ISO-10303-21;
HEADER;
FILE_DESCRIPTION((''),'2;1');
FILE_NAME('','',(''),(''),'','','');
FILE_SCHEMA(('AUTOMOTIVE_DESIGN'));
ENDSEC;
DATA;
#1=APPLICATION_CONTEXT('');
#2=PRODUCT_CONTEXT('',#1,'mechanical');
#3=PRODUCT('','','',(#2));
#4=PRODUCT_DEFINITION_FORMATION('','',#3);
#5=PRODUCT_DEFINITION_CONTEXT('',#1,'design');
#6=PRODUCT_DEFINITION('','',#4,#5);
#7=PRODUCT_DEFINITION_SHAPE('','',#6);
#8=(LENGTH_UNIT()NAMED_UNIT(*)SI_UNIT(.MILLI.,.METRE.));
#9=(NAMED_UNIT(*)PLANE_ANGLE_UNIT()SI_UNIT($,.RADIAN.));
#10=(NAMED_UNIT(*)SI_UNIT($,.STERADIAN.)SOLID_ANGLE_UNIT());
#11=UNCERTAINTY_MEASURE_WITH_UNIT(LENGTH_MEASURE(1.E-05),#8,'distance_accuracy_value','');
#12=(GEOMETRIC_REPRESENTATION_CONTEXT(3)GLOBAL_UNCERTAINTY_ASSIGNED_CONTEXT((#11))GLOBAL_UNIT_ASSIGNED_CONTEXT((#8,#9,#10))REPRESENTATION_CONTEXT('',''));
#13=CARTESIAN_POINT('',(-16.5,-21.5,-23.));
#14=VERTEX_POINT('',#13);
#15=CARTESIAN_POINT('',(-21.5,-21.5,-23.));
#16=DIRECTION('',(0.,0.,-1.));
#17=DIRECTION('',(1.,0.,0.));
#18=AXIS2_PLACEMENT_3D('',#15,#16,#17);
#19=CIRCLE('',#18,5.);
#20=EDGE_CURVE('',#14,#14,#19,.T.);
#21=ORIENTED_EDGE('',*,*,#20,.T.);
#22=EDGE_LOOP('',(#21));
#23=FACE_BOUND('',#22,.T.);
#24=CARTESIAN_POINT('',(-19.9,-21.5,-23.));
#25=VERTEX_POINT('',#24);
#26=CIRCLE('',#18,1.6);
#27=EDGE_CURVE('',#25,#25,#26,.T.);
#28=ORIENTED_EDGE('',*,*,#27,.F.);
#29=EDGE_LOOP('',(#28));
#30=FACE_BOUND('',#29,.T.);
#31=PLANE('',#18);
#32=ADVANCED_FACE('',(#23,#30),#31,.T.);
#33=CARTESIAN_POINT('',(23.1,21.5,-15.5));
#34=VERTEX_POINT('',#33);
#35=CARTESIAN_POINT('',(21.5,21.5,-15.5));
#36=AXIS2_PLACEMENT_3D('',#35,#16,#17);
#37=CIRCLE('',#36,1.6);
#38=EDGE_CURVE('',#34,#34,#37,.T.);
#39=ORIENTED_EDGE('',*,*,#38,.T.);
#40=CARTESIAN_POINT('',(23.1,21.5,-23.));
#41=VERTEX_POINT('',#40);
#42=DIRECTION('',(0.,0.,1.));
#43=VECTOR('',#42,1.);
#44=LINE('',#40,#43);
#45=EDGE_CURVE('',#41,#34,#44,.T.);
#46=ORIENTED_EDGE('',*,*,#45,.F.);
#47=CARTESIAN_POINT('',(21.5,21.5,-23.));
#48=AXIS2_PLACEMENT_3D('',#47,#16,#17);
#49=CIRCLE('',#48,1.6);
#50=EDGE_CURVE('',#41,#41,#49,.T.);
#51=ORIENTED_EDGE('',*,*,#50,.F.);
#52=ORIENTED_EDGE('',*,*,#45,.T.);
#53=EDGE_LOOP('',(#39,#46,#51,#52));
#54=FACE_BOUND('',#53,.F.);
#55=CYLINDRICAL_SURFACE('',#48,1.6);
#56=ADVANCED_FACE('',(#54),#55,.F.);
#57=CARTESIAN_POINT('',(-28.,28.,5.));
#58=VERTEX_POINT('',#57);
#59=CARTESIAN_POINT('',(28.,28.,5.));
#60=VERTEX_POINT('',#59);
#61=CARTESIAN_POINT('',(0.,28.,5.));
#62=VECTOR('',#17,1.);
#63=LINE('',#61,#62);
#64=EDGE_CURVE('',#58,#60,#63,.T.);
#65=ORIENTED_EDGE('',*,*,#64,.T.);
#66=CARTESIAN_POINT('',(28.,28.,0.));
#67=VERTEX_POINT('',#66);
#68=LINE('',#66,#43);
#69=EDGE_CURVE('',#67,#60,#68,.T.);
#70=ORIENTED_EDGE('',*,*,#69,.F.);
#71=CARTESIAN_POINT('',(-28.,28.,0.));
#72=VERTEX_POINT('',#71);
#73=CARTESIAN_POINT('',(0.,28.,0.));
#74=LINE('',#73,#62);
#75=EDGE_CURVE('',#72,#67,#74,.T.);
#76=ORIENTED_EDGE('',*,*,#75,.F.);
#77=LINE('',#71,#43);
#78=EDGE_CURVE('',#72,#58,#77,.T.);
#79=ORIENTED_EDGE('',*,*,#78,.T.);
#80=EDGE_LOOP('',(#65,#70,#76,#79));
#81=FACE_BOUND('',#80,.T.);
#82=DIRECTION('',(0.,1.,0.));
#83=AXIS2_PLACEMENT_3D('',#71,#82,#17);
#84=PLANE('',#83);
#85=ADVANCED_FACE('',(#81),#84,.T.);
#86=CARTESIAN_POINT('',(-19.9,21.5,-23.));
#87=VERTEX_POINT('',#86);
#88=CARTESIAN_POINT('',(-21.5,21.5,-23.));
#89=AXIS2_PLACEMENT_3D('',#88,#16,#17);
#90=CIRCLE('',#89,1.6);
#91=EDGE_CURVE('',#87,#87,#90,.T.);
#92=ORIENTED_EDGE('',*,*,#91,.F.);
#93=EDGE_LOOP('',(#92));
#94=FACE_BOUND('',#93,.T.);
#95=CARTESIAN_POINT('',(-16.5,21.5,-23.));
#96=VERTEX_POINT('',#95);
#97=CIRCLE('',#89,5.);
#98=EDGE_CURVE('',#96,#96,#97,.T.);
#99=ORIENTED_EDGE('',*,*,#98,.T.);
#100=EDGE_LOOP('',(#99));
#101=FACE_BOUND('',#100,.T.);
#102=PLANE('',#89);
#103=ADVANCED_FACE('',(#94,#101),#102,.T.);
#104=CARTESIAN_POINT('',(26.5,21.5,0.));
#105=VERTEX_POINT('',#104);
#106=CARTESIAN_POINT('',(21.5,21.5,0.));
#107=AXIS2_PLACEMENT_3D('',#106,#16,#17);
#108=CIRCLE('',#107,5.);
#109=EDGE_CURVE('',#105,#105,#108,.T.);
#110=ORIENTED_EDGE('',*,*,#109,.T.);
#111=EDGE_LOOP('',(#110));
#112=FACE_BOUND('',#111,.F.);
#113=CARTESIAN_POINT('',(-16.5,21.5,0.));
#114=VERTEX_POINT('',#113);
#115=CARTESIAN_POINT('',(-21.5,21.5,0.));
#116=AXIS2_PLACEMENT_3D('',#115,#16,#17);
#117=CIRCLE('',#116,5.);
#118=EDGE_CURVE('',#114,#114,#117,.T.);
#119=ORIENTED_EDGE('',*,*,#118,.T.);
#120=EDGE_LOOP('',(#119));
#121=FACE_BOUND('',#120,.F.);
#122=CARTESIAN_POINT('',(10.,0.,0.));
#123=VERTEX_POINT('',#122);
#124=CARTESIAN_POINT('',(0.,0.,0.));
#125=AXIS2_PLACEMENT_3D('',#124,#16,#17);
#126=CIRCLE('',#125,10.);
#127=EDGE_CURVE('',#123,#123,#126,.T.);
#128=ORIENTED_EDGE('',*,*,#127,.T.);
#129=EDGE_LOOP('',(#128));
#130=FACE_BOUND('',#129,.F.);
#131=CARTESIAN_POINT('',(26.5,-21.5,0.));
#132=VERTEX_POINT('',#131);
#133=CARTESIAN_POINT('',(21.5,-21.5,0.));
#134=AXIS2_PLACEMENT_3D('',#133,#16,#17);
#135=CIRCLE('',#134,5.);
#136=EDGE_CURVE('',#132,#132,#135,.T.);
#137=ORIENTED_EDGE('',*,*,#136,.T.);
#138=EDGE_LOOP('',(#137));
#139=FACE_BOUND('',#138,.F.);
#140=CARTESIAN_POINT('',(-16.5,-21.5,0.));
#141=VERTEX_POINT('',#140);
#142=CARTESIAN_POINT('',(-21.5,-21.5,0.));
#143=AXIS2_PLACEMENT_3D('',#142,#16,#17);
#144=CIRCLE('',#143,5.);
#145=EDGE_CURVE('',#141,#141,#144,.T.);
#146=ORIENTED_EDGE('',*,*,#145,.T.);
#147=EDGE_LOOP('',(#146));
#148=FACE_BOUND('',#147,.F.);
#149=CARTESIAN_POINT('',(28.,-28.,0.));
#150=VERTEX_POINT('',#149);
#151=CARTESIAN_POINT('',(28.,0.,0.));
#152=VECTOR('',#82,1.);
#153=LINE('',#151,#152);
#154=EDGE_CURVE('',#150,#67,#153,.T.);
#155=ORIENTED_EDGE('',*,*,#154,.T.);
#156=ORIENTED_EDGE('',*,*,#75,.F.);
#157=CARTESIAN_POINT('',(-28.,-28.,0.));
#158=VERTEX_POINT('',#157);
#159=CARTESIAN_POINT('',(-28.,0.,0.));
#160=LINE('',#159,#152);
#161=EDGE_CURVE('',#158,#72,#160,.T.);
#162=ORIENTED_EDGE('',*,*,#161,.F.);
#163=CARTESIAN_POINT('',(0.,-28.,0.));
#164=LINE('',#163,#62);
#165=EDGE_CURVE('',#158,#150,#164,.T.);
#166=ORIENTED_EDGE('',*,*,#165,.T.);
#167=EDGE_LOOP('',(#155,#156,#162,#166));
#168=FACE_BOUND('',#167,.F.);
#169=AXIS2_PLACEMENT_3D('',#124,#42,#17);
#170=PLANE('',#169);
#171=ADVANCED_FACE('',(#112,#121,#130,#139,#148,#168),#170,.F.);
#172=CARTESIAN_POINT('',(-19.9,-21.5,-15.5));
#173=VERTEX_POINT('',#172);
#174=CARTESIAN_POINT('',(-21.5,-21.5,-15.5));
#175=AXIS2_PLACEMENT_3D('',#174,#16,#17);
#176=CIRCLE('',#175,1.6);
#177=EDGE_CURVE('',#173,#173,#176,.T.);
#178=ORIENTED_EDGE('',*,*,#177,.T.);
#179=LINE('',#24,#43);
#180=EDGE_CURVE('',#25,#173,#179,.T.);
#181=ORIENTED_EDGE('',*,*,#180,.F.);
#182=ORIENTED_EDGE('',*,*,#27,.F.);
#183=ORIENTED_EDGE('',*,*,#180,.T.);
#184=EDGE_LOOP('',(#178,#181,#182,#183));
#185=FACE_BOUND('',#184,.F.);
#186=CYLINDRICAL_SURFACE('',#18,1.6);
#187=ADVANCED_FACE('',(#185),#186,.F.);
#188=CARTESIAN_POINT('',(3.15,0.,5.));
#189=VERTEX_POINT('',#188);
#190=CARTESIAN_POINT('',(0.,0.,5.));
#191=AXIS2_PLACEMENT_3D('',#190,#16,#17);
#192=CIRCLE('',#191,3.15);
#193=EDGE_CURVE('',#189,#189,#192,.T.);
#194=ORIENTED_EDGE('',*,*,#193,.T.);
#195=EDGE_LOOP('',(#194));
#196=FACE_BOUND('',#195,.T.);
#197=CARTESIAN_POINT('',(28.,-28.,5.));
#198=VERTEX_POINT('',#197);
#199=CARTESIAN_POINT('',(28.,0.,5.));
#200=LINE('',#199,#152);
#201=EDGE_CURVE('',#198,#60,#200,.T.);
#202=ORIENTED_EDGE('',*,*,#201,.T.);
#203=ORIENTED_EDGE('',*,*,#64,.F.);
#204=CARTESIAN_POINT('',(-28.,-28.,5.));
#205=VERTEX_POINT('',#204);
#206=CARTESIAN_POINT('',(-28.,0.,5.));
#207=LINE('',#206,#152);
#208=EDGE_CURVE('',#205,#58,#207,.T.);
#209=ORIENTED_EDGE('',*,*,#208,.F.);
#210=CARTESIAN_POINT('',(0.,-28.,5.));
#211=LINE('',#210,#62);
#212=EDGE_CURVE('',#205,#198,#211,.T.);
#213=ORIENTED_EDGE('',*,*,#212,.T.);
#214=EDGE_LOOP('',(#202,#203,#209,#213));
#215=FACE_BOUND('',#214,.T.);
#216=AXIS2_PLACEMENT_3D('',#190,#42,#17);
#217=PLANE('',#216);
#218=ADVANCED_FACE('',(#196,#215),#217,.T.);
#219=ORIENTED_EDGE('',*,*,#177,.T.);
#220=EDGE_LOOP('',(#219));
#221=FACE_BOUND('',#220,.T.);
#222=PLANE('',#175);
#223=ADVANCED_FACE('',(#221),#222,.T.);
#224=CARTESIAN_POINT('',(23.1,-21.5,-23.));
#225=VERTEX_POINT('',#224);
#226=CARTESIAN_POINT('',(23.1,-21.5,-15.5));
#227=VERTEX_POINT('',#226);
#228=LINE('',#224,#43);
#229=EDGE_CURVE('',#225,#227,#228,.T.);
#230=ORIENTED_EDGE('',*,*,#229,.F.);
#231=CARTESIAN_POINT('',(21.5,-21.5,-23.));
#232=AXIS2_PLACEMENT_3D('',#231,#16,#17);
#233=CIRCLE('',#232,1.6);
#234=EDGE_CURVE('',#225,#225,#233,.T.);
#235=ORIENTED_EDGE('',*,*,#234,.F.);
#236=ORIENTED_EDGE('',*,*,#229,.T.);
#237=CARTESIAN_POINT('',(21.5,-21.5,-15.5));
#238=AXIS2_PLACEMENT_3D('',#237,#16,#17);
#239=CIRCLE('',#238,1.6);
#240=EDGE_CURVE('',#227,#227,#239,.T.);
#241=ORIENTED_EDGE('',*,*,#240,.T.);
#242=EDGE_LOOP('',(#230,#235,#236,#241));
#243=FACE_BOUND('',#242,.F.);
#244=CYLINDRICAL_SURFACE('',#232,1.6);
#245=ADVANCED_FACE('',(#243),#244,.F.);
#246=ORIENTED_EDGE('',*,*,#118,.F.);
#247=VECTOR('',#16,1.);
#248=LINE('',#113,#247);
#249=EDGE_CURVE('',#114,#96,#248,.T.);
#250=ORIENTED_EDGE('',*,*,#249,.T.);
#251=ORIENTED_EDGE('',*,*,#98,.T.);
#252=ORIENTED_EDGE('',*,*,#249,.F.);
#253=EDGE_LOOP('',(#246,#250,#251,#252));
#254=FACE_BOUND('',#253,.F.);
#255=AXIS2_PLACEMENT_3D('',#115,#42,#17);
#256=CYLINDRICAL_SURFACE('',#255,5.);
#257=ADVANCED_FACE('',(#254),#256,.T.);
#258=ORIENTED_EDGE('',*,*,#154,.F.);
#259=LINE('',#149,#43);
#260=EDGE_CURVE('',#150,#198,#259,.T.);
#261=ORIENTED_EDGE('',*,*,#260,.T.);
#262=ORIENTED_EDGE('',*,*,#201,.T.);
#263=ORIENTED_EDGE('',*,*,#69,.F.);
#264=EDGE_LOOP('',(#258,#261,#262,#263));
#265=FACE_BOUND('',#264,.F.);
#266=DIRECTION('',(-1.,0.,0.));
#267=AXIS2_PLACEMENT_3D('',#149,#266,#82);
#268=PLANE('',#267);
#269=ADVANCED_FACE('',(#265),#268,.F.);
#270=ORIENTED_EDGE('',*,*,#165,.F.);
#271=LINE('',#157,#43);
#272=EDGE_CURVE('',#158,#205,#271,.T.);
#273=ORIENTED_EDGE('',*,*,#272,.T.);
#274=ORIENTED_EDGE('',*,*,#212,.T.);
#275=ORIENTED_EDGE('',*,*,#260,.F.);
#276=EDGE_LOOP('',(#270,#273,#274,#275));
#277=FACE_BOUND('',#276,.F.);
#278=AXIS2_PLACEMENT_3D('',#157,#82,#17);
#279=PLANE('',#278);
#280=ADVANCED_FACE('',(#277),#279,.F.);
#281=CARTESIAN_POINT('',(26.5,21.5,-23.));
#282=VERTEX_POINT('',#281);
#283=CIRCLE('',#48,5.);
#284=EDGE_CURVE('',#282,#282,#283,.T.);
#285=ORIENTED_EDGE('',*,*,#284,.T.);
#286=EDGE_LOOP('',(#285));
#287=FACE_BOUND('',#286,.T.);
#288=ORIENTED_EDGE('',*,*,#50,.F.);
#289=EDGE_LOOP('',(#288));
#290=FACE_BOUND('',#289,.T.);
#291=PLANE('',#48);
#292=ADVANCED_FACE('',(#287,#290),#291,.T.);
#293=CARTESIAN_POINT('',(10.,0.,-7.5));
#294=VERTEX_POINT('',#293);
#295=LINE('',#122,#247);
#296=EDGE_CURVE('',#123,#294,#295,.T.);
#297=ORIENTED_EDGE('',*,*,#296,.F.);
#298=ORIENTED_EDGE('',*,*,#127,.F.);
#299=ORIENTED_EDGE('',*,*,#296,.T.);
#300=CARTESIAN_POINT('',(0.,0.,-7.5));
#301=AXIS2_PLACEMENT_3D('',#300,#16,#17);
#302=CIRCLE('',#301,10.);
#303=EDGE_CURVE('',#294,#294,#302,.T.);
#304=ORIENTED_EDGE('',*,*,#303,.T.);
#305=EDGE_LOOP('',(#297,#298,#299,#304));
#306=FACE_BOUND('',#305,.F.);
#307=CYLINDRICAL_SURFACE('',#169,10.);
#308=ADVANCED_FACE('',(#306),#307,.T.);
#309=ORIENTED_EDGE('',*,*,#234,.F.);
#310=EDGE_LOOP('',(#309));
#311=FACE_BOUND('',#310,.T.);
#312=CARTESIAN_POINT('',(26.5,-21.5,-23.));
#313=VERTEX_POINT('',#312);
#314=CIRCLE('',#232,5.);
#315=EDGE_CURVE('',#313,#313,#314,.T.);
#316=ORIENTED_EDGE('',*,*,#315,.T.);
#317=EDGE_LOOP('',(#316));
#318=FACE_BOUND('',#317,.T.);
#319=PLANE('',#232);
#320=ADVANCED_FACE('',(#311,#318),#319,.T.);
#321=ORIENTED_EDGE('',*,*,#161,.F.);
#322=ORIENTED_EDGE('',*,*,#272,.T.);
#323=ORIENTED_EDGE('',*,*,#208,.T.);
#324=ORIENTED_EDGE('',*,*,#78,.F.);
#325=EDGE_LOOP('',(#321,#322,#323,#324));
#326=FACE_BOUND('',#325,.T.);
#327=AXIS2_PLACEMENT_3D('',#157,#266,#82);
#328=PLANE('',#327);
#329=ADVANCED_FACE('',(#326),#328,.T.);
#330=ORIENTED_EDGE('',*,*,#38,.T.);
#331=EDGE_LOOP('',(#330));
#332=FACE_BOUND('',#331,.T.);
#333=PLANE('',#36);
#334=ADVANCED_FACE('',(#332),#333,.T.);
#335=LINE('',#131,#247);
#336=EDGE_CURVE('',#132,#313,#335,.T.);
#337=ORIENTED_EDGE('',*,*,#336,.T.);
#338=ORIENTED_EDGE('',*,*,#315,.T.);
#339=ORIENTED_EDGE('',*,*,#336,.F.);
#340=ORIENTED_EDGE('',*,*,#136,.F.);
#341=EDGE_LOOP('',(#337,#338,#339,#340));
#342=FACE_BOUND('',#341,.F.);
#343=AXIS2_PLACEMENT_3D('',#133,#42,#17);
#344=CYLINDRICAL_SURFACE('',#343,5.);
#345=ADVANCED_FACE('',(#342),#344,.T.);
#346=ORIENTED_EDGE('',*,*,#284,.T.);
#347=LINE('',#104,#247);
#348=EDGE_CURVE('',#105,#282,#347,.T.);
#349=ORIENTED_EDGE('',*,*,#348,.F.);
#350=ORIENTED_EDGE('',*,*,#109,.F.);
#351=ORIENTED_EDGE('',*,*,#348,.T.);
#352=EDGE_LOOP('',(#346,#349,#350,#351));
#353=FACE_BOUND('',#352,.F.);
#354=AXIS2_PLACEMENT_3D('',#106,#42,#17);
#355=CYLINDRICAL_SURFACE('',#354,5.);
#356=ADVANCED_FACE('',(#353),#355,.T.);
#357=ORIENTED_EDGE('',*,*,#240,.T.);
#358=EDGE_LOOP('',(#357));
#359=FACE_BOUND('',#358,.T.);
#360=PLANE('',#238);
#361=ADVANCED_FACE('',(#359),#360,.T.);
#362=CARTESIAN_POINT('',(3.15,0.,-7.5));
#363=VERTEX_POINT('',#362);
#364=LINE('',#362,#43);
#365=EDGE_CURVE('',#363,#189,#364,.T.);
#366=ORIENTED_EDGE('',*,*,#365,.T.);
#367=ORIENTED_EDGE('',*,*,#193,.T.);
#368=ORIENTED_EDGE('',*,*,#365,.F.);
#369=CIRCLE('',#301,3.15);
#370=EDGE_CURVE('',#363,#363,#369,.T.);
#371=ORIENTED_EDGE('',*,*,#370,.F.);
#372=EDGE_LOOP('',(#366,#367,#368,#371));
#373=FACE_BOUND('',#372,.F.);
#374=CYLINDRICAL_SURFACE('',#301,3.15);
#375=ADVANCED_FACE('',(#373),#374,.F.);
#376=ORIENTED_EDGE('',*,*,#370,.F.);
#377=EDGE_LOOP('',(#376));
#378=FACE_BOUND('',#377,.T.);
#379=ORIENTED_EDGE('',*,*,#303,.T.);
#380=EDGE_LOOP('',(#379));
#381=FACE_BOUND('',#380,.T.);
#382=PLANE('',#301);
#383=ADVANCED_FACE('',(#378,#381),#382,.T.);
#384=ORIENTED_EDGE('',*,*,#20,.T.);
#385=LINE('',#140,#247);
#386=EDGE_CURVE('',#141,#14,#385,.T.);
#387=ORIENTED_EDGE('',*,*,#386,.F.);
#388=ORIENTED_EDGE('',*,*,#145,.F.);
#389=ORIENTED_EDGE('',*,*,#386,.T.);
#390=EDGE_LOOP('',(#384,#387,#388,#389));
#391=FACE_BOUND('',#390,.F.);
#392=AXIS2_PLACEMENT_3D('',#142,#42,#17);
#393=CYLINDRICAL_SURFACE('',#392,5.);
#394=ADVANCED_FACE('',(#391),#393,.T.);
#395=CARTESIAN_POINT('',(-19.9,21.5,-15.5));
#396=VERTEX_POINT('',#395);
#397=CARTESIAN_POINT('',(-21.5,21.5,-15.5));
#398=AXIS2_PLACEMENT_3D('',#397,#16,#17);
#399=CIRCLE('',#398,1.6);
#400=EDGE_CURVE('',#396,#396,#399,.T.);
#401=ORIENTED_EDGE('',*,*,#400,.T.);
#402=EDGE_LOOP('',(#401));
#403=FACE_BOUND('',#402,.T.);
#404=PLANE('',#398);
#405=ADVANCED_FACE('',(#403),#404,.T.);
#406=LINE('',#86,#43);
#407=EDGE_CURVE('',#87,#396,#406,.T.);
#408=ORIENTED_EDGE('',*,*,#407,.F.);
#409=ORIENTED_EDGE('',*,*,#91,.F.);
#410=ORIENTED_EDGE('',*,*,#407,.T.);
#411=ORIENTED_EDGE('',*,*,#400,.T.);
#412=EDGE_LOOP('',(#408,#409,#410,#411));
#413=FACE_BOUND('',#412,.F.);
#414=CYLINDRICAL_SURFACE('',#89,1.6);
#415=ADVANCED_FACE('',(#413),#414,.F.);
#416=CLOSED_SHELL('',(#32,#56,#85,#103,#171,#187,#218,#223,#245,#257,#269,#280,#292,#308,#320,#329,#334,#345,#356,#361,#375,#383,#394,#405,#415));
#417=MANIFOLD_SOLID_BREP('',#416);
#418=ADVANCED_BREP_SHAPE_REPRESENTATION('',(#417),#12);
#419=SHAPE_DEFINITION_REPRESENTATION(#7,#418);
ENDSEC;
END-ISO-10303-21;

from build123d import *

# Parameters (mm, degrees)
SKETCH_W        = 56
SKETCH_H        = 56
PAD_DEPTH       = 5
SKETCH001_R     = 10
PAD001_DEPTH    = 7.5
SKETCH002_R     = 3.15
POCKET_DEPTH    = 12.501
SKETCH003_R     = 5
PAD002_DEPTH    = 23
SKETCH004_R     = 1.6
POCKET001_DEPTH = 7.5
SKETCH006_R     = 1.6
POCKET002_DEPTH = 7.5
SKETCH007_R     = 1.6
POCKET003_DEPTH = 7.5
SKETCH008_R     = 1.6
POCKET004_DEPTH = 7.5


with BuildPart() as part:
    # Sketch → Pad (new body)
    with BuildSketch(Plane.XY):
        Rectangle(SKETCH_W, SKETCH_H)
    extrude(amount=PAD_DEPTH)

    # Sketch001 (on Face5 of Pad) → Pad001 (join)
    with BuildSketch(Plane(origin=(0, 0, 0), x_dir=(1, 0, 0), z_dir=(0, 0, -1))):
        Circle(SKETCH001_R)
    extrude(amount=PAD001_DEPTH)

    # Sketch002 (on Face8 of Pad001) → Pocket (cut, through all)
    with BuildSketch(Plane(origin=(0, 0, -7.5), x_dir=(1, 0, 0), z_dir=(0, 0, -1))):
        Circle(SKETCH002_R)
    extrude(amount=-POCKET_DEPTH, mode=Mode.SUBTRACT)

    # Sketch003 (on Face4 of Pocket) → Pad002 (join)
    with BuildSketch(Plane(origin=(0, 0, 0), x_dir=(1, 0, 0), z_dir=(0, 0, -1))):
        with Locations((-21.5, 21.5)):
            Circle(SKETCH003_R)
        with Locations((21.5, 21.5)):
            Circle(SKETCH003_R)
        with Locations((-21.5, -21.5)):
            Circle(SKETCH003_R)
        with Locations((21.5, -21.5)):
            Circle(SKETCH003_R)
    extrude(amount=PAD002_DEPTH)

    # Sketch004 (on Face15 of Pad002) → Pocket001 (cut)
    with BuildSketch(Plane(origin=(0, 0, -23), x_dir=(1, 0, 0), z_dir=(0, 0, -1))):
        with Locations((-21.5, 21.5)):
            Circle(SKETCH004_R)
    extrude(amount=-POCKET001_DEPTH, mode=Mode.SUBTRACT)

    # Sketch006 (on Face14 of Pocket001) → Pocket002 (cut)
    with BuildSketch(Plane(origin=(0, 0, -23), x_dir=(1, 0, 0), z_dir=(0, 0, -1))):
        with Locations((21.5, 21.5)):
            Circle(SKETCH006_R)
    extrude(amount=-POCKET002_DEPTH, mode=Mode.SUBTRACT)

    # Sketch007 (on Face15 of Pocket002) → Pocket003 (cut)
    with BuildSketch(Plane(origin=(0, 0, -23), x_dir=(1, 0, 0), z_dir=(0, 0, -1))):
        with Locations((-21.5, -21.5)):
            Circle(SKETCH007_R)
    extrude(amount=-POCKET003_DEPTH, mode=Mode.SUBTRACT)

    # Sketch008 (on Face17 of Pocket003) → Pocket004 (cut)
    with BuildSketch(Plane(origin=(0, 0, -23), x_dir=(1, 0, 0), z_dir=(0, 0, -1))):
        with Locations((21.5, -21.5)):
            Circle(SKETCH008_R)
    extrude(amount=-POCKET004_DEPTH, mode=Mode.SUBTRACT)


solid = part.part
